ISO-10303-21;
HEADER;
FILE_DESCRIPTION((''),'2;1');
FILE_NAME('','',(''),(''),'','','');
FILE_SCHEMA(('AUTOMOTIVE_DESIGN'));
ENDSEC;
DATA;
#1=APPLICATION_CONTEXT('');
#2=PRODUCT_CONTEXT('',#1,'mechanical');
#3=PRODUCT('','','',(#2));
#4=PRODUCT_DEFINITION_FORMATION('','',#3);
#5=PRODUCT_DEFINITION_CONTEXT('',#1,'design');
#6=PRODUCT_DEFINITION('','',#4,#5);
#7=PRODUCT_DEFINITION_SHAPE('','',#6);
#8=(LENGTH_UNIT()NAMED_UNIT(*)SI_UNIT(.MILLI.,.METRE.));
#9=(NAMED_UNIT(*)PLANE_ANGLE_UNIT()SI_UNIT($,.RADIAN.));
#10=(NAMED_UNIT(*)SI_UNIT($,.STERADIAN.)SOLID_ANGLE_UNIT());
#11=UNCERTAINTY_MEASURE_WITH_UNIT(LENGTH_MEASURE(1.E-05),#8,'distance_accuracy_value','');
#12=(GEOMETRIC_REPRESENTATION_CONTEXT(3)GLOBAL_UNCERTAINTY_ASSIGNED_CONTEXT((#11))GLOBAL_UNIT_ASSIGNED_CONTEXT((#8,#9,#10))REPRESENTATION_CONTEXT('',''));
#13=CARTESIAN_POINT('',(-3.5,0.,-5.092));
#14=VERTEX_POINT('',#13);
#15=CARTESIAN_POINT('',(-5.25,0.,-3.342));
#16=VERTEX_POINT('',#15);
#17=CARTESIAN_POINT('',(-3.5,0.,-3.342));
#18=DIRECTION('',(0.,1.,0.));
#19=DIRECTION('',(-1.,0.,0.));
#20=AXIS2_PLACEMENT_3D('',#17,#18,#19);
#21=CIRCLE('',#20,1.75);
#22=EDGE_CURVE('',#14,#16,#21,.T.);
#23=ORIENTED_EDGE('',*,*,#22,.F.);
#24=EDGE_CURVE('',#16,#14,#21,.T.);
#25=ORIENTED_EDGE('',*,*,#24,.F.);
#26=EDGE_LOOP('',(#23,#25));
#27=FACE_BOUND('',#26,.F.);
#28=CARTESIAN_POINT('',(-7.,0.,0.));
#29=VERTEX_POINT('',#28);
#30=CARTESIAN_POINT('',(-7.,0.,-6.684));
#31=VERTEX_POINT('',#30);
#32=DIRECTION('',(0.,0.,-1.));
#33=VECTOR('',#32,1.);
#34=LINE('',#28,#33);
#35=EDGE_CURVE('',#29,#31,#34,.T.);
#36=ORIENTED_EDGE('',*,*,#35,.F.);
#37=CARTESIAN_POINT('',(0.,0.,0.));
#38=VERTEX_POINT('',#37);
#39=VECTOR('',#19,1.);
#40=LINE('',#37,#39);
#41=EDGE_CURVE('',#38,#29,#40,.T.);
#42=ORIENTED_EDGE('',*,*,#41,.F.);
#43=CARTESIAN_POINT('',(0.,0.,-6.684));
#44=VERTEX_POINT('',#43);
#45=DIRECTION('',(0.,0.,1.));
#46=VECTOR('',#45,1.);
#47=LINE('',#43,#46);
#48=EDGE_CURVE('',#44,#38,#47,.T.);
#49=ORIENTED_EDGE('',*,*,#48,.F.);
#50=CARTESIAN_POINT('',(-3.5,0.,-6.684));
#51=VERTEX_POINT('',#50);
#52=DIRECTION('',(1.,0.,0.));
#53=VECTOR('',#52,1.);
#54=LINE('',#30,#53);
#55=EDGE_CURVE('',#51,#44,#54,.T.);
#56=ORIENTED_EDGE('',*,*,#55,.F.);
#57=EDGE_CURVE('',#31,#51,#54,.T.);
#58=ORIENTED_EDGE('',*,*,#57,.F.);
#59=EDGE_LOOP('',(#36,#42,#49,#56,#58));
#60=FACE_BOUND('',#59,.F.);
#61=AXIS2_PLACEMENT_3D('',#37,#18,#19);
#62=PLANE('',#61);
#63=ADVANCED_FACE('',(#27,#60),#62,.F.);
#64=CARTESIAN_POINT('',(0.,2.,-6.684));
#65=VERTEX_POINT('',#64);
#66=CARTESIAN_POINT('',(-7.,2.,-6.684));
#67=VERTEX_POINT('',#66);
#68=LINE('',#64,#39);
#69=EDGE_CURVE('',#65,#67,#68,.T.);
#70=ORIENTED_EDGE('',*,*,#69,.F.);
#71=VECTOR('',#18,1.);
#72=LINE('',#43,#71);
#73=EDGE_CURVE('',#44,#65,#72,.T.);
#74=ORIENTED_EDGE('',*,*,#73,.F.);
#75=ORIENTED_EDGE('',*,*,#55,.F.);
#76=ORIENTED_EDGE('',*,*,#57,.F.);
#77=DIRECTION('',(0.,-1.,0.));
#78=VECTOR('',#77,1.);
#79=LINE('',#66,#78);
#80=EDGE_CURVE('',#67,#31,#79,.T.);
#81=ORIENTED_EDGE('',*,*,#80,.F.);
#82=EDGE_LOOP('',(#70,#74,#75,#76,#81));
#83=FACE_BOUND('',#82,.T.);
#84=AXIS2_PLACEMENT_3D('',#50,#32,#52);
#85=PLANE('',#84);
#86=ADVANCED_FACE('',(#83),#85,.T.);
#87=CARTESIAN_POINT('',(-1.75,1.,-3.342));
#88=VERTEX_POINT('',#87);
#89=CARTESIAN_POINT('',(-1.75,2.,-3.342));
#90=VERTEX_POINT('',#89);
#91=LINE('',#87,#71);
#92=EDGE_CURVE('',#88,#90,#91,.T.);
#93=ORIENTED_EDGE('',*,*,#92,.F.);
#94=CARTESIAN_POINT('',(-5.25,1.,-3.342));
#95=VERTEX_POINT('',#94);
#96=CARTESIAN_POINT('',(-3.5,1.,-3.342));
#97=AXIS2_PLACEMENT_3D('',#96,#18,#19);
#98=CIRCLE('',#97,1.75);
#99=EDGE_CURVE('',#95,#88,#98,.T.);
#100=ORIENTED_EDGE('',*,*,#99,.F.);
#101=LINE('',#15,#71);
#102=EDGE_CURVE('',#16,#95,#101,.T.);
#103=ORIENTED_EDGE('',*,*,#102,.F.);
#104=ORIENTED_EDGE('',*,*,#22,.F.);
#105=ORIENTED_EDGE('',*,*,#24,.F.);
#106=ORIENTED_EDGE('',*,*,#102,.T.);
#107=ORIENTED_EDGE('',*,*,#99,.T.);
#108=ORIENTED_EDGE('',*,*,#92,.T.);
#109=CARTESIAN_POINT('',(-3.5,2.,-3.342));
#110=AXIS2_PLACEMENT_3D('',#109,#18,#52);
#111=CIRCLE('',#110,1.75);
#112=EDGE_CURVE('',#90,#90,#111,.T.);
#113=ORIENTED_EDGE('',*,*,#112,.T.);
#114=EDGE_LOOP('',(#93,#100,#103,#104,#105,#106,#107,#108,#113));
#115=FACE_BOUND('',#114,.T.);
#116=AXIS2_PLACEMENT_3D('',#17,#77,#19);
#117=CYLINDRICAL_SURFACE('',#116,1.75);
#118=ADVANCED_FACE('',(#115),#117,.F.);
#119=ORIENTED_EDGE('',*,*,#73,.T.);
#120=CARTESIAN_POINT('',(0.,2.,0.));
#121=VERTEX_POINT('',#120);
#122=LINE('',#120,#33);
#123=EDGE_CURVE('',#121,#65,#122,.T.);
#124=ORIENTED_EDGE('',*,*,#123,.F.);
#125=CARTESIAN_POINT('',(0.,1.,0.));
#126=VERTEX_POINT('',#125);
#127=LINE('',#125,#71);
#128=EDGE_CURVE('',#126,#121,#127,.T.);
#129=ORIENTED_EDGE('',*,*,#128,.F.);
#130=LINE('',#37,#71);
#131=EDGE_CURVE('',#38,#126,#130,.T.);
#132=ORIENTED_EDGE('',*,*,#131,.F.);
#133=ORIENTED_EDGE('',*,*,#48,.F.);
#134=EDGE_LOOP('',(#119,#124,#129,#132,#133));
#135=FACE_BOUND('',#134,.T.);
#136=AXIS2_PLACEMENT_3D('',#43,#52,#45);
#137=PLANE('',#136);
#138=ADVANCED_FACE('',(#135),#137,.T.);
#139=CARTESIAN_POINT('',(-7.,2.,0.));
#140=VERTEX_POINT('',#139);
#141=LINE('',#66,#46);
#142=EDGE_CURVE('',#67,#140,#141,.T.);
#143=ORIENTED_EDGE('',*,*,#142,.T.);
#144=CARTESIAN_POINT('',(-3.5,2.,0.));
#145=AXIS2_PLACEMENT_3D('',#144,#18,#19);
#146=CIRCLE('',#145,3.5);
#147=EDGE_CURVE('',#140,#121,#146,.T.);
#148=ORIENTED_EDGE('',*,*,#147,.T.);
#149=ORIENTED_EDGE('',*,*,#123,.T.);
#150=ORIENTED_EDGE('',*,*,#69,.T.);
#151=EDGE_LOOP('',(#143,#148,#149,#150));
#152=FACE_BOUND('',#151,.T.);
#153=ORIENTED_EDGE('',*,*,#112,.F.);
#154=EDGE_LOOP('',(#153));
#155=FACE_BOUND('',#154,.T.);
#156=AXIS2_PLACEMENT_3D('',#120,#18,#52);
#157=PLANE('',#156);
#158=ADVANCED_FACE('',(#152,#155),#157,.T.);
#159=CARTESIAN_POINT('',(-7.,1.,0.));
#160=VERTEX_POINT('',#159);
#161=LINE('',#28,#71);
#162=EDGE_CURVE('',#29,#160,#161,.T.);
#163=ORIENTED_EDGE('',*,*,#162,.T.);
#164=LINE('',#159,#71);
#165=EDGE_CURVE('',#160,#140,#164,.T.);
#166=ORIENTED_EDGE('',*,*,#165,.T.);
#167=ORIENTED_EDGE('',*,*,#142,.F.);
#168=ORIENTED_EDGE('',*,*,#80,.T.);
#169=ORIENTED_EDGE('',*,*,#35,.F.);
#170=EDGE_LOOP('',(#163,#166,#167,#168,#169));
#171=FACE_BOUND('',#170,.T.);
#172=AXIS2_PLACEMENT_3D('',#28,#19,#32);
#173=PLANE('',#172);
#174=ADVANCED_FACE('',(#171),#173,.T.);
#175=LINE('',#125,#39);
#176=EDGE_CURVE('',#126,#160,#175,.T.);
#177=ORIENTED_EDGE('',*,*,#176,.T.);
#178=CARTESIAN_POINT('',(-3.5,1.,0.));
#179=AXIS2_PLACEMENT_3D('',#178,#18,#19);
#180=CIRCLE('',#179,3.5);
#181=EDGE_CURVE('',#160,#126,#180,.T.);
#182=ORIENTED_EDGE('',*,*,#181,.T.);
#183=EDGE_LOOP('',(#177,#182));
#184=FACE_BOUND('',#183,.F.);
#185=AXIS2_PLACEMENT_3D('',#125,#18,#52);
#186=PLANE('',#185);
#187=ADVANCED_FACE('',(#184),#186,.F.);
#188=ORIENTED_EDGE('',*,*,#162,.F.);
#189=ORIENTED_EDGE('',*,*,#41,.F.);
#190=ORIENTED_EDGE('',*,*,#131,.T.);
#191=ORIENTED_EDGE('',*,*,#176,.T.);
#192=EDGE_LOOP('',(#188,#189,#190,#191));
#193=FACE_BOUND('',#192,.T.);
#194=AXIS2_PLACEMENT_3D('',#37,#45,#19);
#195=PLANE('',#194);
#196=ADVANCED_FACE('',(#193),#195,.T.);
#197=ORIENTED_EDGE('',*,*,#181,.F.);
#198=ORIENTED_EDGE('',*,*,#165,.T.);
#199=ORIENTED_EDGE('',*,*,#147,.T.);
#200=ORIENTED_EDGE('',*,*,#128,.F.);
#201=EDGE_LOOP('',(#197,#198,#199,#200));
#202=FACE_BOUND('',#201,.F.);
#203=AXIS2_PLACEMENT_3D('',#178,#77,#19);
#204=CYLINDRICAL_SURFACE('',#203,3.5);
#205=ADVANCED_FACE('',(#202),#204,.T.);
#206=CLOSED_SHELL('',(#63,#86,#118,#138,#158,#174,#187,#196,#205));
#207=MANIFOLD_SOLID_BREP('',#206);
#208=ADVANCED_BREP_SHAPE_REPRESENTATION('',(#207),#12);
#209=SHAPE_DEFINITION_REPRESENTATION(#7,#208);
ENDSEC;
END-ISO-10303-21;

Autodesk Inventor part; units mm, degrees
ref_plane "YZ Plane" through (0, 0, 0) normal (1, 0, 0) x (0, 1, 0)
ref_plane "XZ Plane" through (0, 0, 0) normal (0, 1, 0) x (-1, 0, 0)
ref_plane "XY Plane" through (0, 0, 0) normal (0, 0, 1) x (1, 0, 0)
sketch "Sketch1" plane through (0, 0, 0) normal (0, 1, 0) x (-1, 0, 0)
  line L0 (0, 0) -> (7, 0)
  line L1 (7, 0) -> (7, -6.684)
  line L2 (7, -6.684) -> (0, -6.684)
  line L3 (0, -6.684) -> (0, 0)
  line L4 (3.5, -6.684) -> (3.5, -3.342)
  circle A0 centre (3.5, -3.342) radius 1.75
  dimension "d0" = 7
  dimension "d1" = 6.684
  dimension "d2" = 3.342
  dimension "d3" = 3.5
extrude "Extrusion1" add sketch "Sketch1" along normal blind 1
sketch "Sketch2" plane through (0, 1, 0) normal (0, 1, 0) x (1, 0, 0)
  line L0 (-7, 6.684) -> (-7, 0) projected
  line L1 (-7, 0) -> (0, 0) projected
  line L2 (0, 0) -> (0, 6.684) projected
  line L3 (0, 6.684) -> (-7, 6.684) projected
  circle A0 centre (-3.5, 3.342) radius 1.75 projected
  arc A1 (-7, 0) -> (0, 0) centre (-3.5, 0) ccw
extrude "Extrusion2" add sketch "Sketch2" along normal blind 1
properties part number "sunfoundernub"
